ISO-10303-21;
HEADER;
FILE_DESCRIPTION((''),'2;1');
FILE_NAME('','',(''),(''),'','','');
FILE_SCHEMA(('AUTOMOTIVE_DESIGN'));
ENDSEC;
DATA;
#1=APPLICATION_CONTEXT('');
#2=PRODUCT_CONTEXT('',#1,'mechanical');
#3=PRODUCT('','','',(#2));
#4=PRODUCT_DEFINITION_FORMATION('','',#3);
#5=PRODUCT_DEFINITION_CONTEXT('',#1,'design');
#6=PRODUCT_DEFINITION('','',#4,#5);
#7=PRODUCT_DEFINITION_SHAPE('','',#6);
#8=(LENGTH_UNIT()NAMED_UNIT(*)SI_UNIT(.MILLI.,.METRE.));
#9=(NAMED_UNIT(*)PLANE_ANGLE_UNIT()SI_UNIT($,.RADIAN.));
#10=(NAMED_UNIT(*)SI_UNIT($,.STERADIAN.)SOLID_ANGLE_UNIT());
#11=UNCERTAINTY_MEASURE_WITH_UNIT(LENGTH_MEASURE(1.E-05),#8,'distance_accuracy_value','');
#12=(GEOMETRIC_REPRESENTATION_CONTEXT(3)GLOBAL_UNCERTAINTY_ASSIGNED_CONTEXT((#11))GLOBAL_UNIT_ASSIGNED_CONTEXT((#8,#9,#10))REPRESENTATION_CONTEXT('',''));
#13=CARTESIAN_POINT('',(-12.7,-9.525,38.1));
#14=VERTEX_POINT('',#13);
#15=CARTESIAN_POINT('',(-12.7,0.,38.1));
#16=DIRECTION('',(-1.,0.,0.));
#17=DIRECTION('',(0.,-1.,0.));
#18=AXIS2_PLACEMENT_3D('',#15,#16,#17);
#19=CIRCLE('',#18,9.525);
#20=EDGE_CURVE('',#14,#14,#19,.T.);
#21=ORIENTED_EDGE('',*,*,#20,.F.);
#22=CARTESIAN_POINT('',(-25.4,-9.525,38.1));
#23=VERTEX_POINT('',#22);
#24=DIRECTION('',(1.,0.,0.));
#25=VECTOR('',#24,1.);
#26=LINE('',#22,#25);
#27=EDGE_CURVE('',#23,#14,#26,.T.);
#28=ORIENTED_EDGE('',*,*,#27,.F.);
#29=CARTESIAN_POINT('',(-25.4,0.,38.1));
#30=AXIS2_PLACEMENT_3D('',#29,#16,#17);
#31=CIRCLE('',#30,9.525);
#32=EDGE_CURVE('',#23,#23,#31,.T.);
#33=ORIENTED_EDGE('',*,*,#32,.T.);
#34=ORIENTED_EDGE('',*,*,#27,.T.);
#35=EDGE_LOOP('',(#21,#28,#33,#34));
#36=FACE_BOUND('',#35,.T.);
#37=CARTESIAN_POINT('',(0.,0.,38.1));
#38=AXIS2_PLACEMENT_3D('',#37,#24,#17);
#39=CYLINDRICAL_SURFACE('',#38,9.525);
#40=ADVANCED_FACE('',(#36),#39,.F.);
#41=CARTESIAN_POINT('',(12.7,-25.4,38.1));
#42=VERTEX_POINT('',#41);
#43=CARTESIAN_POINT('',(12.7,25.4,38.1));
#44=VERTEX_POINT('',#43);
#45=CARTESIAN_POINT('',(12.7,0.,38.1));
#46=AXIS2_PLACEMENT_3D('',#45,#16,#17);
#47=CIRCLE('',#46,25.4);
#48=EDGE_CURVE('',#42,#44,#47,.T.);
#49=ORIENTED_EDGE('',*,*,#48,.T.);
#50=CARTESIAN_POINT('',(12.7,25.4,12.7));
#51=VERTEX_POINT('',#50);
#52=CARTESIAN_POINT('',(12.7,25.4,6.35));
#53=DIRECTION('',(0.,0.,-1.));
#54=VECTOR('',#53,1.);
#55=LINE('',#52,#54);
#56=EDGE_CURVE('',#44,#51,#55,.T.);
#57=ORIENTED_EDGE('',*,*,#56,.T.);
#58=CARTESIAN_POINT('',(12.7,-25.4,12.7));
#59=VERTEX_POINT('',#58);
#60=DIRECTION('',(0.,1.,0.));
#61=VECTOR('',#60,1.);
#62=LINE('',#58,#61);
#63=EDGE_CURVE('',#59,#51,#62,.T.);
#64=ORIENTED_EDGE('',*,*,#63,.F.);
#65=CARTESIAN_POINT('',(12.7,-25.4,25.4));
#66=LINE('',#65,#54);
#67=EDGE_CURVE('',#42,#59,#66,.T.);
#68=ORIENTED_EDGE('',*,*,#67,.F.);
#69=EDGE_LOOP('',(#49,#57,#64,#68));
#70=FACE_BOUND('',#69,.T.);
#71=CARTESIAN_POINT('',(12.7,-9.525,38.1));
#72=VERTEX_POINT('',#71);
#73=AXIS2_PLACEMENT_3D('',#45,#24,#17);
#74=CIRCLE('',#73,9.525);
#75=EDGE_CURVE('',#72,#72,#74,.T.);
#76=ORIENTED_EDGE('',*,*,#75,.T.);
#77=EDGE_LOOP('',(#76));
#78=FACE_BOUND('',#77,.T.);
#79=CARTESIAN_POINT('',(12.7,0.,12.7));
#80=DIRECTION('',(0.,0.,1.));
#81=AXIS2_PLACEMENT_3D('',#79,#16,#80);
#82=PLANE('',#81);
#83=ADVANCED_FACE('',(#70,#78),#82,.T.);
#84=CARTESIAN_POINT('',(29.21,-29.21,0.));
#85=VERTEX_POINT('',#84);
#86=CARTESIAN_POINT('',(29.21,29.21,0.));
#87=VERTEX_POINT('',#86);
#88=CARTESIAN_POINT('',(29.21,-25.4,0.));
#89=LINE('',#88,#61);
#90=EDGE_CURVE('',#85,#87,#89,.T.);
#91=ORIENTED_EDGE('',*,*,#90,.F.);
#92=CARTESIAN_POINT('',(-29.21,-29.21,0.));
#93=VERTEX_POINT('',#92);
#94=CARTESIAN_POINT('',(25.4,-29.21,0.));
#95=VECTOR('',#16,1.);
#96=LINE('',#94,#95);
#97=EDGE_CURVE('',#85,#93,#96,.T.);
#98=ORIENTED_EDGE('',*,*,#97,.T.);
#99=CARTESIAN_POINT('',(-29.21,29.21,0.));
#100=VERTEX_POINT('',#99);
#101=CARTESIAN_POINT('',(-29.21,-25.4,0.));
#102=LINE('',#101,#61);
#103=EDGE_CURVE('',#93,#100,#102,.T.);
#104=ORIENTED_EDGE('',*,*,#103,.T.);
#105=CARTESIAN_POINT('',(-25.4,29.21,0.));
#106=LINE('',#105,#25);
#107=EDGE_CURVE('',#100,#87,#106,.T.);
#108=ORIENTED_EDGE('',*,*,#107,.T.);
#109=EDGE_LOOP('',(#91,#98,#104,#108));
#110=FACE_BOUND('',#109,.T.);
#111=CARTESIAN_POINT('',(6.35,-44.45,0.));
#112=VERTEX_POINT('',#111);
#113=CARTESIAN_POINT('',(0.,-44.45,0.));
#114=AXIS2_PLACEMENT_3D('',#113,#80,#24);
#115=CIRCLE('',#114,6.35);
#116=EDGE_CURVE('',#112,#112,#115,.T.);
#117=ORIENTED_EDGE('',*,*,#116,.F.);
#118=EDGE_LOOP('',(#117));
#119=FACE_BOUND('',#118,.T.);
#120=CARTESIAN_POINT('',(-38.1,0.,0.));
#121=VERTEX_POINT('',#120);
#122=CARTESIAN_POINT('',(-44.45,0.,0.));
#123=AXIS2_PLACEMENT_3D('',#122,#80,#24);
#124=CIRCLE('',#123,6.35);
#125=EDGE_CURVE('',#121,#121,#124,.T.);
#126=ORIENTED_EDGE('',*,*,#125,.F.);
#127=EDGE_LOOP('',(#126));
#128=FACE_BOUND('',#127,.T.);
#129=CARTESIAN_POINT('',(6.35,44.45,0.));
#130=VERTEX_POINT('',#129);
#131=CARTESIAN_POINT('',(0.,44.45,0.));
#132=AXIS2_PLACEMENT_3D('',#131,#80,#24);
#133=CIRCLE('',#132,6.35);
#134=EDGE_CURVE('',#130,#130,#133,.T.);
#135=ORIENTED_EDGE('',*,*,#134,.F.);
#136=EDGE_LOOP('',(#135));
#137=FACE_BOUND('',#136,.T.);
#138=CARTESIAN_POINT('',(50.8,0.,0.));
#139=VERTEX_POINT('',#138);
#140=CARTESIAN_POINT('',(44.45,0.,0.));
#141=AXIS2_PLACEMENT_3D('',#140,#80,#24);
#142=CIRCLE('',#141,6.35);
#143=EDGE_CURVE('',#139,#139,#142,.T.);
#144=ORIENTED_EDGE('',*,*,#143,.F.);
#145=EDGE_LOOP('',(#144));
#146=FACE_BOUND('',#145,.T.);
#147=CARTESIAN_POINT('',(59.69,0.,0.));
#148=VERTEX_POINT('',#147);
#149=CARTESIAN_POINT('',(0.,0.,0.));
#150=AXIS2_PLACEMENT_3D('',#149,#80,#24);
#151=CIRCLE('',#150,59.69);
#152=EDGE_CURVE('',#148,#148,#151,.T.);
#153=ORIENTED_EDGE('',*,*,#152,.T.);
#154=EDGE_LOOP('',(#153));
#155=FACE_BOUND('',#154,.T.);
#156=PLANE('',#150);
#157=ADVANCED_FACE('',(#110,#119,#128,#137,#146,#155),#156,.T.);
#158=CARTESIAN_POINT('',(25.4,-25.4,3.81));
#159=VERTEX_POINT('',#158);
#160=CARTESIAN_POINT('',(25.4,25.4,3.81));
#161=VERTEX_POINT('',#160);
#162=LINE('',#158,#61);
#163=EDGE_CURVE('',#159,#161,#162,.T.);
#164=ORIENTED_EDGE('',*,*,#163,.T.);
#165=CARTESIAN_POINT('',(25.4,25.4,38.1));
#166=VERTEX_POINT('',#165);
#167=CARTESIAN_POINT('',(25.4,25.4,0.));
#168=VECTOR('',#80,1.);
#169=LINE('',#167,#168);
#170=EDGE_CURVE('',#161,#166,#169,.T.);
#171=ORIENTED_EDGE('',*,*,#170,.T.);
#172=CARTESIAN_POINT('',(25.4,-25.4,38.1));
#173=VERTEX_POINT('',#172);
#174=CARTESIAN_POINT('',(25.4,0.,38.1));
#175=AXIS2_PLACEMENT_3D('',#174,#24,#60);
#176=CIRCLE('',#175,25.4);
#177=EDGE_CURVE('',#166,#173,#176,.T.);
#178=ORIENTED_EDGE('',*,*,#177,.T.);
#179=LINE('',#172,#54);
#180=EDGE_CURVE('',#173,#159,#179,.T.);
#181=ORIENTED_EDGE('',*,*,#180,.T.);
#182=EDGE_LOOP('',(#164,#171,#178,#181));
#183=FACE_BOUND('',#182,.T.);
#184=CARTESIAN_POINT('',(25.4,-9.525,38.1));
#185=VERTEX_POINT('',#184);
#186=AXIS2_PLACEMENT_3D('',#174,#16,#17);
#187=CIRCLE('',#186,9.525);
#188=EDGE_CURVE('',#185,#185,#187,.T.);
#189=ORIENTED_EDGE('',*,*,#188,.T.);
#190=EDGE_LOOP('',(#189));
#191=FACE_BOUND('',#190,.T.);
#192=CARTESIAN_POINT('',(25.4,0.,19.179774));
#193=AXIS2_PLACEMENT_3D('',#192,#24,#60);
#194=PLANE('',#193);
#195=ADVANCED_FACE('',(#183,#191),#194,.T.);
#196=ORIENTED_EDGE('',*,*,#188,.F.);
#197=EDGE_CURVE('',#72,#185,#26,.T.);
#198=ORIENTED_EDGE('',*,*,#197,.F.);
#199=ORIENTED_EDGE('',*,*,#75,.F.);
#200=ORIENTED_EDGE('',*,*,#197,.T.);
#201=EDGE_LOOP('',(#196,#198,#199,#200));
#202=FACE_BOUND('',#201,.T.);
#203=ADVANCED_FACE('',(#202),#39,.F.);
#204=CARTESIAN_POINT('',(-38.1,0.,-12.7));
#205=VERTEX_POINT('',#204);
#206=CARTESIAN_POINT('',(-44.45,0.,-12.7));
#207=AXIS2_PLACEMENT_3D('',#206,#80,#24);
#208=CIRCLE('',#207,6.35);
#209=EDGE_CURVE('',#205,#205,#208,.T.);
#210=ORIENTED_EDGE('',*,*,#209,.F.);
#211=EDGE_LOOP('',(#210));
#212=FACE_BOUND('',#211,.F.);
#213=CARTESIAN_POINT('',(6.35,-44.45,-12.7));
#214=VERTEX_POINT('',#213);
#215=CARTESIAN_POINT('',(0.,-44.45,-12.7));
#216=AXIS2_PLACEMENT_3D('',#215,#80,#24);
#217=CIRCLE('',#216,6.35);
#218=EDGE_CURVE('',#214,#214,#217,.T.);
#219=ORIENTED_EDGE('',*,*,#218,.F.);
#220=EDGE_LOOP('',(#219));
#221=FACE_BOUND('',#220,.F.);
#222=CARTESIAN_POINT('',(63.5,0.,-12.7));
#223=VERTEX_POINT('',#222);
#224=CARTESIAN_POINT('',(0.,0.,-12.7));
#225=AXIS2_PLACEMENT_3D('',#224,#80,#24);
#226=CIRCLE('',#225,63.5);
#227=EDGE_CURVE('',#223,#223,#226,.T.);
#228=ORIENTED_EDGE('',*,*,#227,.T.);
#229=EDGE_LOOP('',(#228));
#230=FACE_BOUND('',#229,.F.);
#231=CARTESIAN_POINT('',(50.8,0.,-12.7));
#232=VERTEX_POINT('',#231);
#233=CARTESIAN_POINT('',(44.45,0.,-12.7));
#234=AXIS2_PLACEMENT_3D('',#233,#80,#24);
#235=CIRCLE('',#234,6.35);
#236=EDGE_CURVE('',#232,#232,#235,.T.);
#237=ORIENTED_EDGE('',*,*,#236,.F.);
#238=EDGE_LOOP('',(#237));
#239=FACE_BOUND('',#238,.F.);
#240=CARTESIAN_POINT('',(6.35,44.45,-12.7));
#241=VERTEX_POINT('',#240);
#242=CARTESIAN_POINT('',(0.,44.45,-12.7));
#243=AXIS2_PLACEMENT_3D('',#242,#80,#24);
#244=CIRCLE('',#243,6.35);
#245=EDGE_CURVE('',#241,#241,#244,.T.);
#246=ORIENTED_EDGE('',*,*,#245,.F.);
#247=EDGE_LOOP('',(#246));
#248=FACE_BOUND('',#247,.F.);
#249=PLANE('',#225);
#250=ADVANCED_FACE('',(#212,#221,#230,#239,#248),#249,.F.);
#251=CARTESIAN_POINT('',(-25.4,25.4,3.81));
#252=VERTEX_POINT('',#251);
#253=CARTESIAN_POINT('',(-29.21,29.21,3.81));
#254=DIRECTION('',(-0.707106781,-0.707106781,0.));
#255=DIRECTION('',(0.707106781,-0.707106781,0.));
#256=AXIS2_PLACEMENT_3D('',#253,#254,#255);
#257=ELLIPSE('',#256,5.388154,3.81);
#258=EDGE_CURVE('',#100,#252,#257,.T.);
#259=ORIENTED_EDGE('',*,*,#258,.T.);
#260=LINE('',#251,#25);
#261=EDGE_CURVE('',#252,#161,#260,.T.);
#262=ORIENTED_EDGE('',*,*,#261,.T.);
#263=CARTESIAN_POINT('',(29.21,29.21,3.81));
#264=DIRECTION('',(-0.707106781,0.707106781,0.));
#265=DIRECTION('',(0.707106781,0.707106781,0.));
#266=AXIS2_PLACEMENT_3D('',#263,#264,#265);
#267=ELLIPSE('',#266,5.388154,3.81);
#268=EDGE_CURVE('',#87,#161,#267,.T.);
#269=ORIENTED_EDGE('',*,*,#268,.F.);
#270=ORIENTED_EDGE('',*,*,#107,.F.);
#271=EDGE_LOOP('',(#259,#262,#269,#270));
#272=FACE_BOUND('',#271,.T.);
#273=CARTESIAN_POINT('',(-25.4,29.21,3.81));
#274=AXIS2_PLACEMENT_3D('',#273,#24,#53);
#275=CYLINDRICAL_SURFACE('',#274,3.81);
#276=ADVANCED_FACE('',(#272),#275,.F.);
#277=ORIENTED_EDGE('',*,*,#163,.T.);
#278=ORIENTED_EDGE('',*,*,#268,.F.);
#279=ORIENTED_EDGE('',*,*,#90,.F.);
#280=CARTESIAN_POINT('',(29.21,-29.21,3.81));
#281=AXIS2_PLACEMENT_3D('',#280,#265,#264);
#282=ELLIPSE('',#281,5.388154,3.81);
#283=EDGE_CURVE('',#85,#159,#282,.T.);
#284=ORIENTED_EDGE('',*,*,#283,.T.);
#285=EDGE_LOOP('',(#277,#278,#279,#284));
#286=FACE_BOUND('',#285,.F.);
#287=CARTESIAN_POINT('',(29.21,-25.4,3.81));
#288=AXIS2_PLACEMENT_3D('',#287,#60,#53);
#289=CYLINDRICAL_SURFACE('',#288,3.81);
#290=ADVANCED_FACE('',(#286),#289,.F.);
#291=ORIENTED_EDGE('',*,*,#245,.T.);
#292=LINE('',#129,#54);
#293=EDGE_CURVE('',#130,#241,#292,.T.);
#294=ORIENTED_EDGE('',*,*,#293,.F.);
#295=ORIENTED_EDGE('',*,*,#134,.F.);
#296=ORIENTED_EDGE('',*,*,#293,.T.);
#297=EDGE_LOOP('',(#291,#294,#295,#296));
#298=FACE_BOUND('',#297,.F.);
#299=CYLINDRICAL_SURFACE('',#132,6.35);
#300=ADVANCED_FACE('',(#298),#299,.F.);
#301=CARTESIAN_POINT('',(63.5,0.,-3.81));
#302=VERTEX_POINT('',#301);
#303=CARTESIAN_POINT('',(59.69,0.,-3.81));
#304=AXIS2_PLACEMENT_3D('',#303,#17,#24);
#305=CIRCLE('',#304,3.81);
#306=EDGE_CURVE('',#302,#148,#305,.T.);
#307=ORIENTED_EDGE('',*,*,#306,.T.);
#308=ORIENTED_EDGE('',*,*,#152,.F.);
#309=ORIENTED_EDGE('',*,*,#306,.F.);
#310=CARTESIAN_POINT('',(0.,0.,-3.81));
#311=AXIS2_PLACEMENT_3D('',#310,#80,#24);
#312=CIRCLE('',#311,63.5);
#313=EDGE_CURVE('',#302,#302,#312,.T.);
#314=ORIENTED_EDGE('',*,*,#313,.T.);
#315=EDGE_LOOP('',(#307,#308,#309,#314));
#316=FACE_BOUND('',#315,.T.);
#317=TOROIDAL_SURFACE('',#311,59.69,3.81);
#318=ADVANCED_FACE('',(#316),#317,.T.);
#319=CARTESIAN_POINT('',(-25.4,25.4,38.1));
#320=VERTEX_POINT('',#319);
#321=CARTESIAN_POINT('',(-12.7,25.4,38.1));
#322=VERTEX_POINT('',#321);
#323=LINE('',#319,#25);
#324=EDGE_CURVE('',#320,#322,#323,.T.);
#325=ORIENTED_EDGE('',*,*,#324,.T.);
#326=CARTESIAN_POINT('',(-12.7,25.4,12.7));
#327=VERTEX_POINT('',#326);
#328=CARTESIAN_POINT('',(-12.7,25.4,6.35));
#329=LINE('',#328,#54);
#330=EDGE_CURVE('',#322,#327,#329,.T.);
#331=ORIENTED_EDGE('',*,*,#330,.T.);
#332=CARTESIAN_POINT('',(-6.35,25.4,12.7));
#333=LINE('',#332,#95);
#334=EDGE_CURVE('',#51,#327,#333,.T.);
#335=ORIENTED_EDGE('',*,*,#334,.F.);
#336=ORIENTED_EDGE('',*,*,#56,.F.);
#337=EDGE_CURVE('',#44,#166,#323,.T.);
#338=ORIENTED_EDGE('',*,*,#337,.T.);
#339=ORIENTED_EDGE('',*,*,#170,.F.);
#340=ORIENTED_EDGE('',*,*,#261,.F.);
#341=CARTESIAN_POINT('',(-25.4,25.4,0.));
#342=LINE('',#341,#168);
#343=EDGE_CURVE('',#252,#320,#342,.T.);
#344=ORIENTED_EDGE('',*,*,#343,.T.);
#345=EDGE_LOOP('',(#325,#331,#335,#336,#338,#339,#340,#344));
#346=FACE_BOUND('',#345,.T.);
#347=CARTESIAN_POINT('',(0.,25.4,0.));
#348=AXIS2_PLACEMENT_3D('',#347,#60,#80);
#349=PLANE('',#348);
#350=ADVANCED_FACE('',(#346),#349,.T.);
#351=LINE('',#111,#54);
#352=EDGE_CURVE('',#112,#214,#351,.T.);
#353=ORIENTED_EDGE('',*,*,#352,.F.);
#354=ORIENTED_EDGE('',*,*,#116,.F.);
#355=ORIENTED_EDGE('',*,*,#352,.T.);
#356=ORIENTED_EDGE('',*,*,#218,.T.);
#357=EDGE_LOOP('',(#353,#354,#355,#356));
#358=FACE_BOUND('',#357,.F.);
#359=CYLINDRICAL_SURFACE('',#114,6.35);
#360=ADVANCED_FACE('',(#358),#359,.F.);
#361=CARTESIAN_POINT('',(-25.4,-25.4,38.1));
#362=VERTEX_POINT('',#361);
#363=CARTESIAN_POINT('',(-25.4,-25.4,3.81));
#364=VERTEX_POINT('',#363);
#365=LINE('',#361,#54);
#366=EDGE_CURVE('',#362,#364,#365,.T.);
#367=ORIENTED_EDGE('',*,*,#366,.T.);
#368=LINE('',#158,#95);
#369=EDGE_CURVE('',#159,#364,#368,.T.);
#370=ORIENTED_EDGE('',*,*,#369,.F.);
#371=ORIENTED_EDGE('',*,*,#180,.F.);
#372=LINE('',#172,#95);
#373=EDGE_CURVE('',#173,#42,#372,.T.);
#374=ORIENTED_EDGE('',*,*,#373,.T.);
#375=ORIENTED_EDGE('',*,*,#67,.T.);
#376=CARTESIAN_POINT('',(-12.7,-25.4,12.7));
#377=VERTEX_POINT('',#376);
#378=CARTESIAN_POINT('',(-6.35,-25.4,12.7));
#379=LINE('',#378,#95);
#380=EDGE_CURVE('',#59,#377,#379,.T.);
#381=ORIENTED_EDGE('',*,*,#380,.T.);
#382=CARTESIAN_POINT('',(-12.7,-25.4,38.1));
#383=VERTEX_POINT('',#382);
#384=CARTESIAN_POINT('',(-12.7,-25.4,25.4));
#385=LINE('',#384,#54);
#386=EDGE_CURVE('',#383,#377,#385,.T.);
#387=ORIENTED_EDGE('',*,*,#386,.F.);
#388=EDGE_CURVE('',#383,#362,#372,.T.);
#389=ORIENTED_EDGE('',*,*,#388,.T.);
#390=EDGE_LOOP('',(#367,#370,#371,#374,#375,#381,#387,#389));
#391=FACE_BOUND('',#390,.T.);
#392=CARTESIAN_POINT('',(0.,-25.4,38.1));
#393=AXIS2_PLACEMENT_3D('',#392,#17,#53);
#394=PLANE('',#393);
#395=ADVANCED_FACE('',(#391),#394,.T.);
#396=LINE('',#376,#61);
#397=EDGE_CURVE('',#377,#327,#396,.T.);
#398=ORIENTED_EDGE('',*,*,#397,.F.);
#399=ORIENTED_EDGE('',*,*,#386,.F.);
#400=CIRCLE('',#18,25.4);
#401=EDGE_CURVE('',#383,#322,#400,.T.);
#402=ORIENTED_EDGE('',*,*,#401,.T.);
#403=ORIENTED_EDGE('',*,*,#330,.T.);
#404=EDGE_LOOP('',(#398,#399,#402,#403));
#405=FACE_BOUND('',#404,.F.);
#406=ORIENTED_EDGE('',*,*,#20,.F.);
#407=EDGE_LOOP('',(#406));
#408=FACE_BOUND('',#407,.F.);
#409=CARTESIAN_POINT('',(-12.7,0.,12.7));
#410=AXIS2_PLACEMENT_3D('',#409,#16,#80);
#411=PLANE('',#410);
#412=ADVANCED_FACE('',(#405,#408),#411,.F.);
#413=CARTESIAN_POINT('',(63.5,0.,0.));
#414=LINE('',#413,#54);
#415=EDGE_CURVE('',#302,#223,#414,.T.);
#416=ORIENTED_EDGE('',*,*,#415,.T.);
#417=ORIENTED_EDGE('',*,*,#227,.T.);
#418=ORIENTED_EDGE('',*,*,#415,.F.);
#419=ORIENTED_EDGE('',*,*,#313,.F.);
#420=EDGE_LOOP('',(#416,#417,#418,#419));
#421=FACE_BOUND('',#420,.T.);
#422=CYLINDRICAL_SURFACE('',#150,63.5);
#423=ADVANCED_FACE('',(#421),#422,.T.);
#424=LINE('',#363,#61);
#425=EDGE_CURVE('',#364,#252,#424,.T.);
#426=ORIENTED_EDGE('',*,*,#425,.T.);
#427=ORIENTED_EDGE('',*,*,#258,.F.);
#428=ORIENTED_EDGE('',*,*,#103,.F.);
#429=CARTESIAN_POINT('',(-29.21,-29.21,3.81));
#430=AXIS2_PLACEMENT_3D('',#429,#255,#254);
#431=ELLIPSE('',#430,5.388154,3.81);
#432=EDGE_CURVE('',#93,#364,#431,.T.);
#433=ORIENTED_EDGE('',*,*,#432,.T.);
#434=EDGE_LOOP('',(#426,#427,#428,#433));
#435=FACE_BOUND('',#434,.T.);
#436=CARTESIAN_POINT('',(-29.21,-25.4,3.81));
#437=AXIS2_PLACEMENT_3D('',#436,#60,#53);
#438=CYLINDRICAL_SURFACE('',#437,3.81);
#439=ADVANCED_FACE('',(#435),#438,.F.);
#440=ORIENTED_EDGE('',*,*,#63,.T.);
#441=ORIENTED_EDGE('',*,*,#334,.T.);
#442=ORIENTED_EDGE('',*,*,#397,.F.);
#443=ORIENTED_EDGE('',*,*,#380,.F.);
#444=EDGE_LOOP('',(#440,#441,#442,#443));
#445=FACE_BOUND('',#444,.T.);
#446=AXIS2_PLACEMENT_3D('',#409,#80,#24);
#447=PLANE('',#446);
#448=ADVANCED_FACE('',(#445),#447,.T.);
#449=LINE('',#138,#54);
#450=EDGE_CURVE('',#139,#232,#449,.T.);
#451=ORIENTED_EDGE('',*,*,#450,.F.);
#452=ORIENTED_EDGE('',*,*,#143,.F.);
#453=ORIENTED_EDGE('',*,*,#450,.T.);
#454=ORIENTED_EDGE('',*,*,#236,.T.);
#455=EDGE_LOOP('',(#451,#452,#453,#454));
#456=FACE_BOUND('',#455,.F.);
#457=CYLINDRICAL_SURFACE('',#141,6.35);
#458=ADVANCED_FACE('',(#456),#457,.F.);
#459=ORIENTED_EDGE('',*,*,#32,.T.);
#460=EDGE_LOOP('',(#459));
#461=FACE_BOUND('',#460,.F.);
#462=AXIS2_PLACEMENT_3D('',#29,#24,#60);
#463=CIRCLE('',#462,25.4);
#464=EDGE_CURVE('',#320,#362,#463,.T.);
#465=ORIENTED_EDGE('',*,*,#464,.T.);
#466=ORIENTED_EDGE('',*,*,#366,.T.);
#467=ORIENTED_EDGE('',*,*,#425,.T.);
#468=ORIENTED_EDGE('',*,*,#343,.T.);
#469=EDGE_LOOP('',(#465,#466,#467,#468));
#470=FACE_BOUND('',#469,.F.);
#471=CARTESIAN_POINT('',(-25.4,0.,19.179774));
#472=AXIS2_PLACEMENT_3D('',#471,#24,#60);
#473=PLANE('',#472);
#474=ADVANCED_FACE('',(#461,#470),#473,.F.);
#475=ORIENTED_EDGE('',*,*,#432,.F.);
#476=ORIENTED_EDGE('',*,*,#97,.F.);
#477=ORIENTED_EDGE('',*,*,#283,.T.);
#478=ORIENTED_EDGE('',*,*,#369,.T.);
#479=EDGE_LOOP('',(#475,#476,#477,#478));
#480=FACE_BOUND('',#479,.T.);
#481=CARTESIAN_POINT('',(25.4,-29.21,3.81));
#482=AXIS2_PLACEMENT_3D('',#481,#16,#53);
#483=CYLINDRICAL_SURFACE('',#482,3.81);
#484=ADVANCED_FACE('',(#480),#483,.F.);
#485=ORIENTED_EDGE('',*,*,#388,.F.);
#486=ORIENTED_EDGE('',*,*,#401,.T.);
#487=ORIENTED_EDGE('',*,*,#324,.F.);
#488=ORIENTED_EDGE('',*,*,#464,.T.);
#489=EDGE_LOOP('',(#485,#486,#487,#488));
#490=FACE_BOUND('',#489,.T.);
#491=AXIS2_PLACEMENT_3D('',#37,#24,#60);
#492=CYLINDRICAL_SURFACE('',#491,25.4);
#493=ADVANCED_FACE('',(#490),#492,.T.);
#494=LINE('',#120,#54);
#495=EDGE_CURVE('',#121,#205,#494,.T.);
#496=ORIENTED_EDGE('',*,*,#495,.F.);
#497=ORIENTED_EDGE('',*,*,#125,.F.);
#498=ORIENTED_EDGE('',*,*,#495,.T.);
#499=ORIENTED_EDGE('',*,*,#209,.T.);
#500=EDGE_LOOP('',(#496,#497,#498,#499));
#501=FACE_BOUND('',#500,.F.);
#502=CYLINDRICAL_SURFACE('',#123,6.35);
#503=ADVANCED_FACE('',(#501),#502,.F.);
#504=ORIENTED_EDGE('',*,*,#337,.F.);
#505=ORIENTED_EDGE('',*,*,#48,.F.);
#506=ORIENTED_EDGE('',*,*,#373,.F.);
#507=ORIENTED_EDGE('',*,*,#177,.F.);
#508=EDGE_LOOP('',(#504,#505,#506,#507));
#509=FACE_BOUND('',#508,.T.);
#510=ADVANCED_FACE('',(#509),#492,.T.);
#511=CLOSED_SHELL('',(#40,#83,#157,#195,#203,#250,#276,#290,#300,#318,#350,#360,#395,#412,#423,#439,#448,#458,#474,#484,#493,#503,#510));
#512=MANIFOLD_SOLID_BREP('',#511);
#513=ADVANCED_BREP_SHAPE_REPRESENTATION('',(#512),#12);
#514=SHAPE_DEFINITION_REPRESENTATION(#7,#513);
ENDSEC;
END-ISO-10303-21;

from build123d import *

# Parameters (mm, degrees)
F0_R          = 63.5
F0_R_2        = 6.35
F1_DEPTH      = 12.7
F3_DEPTH      = 25.4
F4_W          = 25.4
F4_H          = 83.1529996825
F5_DEPTH      = 63.501
F5_DEPTH_BACK = 63.501
F6_R          = 3.81


with BuildPart() as f1:
    # F0 (on Top) → F1 (new body)
    with BuildSketch(Plane.XY):
        Circle(F0_R)
        with Locations((0, -44.45)):
            Circle(F0_R_2, mode=Mode.SUBTRACT)
        with Locations((-44.45, 0)):
            Circle(F0_R_2, mode=Mode.SUBTRACT)
        with Locations((44.45, 0)):
            Circle(F0_R_2, mode=Mode.SUBTRACT)
        with Locations((0, 44.45)):
            Circle(F0_R_2, mode=Mode.SUBTRACT)
    extrude(amount=-F1_DEPTH)

    # F2 (on Right) → F3 (join, symmetric)
    with BuildSketch(Plane.YZ):
        with BuildLine():
            Line((-25.4, 0), (25.4, 0))
            Line((25.4, 0), (25.4, 38.1))
            Line((25.4, 38.1), (9.525, 38.1))
            ThreePointArc((9.525, 38.1), (0, 28.575), (-9.525, 38.1))
            Line((-9.525, 38.1), (-25.4, 38.1))
            Line((-25.4, 38.1), (-25.4, 0))
        make_face()
        with BuildLine():
            Line((9.525, 38.1), (25.4, 38.1))
            ThreePointArc((25.4, 38.1), (0, 63.5), (-25.4, 38.1))
            Line((-25.4, 38.1), (-9.525, 38.1))
            ThreePointArc((-9.525, 38.1), (0, 47.625), (9.525, 38.1))
        make_face()
    extrude(amount=F3_DEPTH, both=True)

    # F4 (on Front) → F5 (cut, two sides)
    with BuildSketch(Plane.XZ) as f5_sk:
        with Locations((0, 54.2764998413)):
            Rectangle(F4_W, F4_H)
    extrude(amount=-F5_DEPTH, mode=Mode.SUBTRACT)
    extrude(f5_sk.sketch, amount=F5_DEPTH_BACK, mode=Mode.SUBTRACT)

    # F6
    f6_edges = [f1.edges().sort_by_distance(p)[0] for p in [
        (-63.5, 0, 0),
        (0, -25.4, 0),
        (25.4, 0, 0),
        (0, 25.4, 0),
        (-25.4, 0, 0),
    ]]
    fillet(f6_edges, radius=F6_R)


solid = f1.part
